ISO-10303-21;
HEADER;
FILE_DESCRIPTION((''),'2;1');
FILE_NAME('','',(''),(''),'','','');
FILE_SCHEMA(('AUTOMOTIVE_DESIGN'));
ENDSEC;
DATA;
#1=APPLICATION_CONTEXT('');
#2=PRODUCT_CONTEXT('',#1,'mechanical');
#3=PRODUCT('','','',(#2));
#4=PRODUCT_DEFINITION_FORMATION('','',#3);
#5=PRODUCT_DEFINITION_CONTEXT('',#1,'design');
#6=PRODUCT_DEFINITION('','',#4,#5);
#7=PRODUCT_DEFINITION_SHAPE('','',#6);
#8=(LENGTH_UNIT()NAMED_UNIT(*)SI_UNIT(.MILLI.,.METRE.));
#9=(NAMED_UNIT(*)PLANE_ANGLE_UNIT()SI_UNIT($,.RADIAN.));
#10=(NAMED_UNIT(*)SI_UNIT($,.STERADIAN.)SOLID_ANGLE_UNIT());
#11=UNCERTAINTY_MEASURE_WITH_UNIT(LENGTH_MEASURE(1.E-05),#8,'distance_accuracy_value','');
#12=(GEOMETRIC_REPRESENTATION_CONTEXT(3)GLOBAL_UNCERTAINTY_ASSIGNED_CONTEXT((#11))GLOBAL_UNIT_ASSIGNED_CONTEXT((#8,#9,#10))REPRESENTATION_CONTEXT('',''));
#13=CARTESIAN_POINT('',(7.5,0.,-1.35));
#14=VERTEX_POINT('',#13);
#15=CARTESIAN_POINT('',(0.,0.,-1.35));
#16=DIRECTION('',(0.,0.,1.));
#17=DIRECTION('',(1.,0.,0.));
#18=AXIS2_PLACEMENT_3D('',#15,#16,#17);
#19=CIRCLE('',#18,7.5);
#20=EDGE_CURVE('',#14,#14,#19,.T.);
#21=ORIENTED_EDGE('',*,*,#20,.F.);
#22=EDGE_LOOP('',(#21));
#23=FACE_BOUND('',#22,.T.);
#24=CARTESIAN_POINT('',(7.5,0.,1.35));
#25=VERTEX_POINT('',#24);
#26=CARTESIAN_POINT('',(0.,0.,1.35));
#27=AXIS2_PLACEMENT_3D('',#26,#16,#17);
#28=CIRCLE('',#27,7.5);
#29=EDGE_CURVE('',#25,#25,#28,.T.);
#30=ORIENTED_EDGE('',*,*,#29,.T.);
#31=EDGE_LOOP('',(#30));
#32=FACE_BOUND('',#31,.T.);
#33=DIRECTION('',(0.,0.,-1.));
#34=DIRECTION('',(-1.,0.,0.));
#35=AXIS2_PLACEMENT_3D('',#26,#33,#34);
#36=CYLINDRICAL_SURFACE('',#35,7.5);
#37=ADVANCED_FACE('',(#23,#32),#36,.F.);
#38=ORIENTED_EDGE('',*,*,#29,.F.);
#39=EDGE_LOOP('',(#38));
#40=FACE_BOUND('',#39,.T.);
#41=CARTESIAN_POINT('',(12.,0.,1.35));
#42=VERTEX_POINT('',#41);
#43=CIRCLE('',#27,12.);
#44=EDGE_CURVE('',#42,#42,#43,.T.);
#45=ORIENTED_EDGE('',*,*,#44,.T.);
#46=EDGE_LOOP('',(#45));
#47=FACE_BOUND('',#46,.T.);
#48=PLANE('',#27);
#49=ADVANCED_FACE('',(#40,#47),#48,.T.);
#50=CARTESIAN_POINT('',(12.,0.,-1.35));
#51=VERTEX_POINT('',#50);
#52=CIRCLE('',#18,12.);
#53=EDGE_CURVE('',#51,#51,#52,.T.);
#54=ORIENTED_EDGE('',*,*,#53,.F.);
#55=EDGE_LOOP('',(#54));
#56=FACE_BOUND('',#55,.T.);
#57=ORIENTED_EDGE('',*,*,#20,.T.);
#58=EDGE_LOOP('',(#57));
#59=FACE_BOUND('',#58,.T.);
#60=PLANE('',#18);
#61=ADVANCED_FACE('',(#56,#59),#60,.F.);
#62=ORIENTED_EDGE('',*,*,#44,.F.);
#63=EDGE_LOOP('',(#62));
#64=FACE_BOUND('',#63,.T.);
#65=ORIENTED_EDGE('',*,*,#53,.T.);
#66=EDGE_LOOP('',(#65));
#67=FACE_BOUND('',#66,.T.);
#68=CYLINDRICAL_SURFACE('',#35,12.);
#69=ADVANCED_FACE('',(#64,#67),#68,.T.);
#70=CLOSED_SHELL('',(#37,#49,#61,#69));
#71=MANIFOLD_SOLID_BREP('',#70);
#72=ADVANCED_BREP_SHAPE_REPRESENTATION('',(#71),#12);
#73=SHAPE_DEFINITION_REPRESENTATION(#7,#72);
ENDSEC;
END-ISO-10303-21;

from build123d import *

# Parameters (mm, degrees)
SKETCH3_R                = 12
SKETCH3_R_2              = 7.5
BOSS_EXTRUDE1_DEPTH      = 1.35
BOSS_EXTRUDE1_DEPTH_BACK = 1.35


with BuildPart() as part:
    # Sketch3 → Boss-Extrude1 (new body, two sides)
    with BuildSketch(Plane.XY) as boss_extrude1_sk:
        Circle(SKETCH3_R)
        Circle(SKETCH3_R_2, mode=Mode.SUBTRACT)
    extrude(amount=BOSS_EXTRUDE1_DEPTH)
    extrude(boss_extrude1_sk.sketch, amount=-BOSS_EXTRUDE1_DEPTH_BACK)


solid = part.part
